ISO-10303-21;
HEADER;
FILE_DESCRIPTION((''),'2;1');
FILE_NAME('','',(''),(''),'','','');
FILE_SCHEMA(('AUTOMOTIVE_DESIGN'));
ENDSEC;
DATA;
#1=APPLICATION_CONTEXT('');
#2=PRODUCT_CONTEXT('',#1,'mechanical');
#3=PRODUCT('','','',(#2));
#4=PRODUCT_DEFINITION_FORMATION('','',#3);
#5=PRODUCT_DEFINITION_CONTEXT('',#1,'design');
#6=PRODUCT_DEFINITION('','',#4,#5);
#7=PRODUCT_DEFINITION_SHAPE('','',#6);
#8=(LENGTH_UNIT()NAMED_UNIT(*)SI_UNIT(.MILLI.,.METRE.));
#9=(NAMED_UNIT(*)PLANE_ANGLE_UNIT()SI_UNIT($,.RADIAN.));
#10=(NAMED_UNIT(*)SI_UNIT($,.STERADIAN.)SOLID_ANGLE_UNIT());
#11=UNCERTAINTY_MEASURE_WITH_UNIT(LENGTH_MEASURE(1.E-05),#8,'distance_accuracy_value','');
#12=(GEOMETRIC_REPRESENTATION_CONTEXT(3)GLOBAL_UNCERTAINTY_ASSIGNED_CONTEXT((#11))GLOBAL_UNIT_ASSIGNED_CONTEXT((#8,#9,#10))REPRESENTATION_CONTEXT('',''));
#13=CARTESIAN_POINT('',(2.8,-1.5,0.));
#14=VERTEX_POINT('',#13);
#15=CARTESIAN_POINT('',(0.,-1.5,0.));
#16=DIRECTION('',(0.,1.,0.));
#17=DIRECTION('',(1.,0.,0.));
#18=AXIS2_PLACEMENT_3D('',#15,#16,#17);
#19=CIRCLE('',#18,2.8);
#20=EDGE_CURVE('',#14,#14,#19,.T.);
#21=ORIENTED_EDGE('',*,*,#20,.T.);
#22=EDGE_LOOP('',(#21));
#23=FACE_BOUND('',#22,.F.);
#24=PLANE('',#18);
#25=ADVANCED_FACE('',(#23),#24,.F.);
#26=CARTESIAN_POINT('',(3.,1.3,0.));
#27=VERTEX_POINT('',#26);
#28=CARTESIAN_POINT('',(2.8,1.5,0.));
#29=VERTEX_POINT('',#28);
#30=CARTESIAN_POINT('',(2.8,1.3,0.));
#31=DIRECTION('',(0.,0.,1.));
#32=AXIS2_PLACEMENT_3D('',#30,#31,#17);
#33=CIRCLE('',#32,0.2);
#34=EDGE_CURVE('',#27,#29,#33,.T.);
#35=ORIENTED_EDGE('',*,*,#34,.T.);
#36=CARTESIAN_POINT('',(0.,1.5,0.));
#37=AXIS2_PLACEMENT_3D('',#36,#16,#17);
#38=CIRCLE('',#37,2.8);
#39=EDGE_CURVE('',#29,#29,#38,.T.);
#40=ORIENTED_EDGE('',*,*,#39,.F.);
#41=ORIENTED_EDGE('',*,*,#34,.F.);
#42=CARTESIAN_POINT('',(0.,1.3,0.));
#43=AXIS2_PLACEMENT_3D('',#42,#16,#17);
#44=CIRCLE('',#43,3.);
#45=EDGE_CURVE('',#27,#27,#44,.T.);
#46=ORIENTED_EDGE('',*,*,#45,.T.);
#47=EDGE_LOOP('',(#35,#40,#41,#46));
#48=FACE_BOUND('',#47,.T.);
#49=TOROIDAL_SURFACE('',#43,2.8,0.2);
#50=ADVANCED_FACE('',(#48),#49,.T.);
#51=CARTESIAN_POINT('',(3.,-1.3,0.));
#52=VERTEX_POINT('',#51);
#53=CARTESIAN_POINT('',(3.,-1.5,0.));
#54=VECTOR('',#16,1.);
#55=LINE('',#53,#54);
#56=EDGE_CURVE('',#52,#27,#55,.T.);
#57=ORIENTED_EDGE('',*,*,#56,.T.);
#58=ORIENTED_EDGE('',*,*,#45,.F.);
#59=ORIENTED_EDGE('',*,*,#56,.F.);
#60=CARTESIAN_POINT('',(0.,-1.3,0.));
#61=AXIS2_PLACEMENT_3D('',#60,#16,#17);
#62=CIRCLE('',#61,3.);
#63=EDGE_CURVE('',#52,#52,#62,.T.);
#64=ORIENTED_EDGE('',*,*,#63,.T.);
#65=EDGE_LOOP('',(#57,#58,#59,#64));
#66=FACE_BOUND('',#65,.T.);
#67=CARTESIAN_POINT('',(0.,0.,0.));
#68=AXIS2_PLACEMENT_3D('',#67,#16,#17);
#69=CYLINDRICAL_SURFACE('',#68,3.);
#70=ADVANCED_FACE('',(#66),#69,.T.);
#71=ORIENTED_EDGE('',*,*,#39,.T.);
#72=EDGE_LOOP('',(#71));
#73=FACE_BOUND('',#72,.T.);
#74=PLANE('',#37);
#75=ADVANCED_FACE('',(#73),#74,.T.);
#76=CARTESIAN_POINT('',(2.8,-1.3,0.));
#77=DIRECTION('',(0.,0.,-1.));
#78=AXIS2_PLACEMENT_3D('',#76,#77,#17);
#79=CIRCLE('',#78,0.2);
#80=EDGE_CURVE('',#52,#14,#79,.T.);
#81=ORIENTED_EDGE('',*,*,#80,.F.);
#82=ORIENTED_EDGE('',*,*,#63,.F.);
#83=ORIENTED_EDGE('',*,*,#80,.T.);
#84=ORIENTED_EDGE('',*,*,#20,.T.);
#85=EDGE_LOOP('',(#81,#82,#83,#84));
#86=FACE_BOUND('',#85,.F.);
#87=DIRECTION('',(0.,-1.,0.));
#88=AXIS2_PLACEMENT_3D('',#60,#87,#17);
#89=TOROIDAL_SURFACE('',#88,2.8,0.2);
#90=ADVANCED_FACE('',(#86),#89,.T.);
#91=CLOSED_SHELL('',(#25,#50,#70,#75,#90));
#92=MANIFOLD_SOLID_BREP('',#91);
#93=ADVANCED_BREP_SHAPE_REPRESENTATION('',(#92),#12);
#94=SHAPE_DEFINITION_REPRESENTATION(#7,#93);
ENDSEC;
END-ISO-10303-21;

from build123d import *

# Parameters (mm, degrees)
SKETCH1_R           = 3
BOSS_EXTRUDE1_DEPTH = 1.5
FILLET1_R           = 0.2


with BuildPart() as part:
    # Sketch1 → Boss-Extrude1 (new body, symmetric)
    with BuildSketch(Plane(origin=(0, 0, 0), x_dir=(1, 0, 0), z_dir=(0, 1, 0))):
        Circle(SKETCH1_R)
    extrude(amount=BOSS_EXTRUDE1_DEPTH, both=True)

    # Fillet1
    fillet1_edges = [part.edges().sort_by_distance(p)[0] for p in [
        (-3, -1.5, 0),
        (-3, 1.5, 0),
    ]]
    fillet(fillet1_edges, radius=FILLET1_R)


solid = part.part
